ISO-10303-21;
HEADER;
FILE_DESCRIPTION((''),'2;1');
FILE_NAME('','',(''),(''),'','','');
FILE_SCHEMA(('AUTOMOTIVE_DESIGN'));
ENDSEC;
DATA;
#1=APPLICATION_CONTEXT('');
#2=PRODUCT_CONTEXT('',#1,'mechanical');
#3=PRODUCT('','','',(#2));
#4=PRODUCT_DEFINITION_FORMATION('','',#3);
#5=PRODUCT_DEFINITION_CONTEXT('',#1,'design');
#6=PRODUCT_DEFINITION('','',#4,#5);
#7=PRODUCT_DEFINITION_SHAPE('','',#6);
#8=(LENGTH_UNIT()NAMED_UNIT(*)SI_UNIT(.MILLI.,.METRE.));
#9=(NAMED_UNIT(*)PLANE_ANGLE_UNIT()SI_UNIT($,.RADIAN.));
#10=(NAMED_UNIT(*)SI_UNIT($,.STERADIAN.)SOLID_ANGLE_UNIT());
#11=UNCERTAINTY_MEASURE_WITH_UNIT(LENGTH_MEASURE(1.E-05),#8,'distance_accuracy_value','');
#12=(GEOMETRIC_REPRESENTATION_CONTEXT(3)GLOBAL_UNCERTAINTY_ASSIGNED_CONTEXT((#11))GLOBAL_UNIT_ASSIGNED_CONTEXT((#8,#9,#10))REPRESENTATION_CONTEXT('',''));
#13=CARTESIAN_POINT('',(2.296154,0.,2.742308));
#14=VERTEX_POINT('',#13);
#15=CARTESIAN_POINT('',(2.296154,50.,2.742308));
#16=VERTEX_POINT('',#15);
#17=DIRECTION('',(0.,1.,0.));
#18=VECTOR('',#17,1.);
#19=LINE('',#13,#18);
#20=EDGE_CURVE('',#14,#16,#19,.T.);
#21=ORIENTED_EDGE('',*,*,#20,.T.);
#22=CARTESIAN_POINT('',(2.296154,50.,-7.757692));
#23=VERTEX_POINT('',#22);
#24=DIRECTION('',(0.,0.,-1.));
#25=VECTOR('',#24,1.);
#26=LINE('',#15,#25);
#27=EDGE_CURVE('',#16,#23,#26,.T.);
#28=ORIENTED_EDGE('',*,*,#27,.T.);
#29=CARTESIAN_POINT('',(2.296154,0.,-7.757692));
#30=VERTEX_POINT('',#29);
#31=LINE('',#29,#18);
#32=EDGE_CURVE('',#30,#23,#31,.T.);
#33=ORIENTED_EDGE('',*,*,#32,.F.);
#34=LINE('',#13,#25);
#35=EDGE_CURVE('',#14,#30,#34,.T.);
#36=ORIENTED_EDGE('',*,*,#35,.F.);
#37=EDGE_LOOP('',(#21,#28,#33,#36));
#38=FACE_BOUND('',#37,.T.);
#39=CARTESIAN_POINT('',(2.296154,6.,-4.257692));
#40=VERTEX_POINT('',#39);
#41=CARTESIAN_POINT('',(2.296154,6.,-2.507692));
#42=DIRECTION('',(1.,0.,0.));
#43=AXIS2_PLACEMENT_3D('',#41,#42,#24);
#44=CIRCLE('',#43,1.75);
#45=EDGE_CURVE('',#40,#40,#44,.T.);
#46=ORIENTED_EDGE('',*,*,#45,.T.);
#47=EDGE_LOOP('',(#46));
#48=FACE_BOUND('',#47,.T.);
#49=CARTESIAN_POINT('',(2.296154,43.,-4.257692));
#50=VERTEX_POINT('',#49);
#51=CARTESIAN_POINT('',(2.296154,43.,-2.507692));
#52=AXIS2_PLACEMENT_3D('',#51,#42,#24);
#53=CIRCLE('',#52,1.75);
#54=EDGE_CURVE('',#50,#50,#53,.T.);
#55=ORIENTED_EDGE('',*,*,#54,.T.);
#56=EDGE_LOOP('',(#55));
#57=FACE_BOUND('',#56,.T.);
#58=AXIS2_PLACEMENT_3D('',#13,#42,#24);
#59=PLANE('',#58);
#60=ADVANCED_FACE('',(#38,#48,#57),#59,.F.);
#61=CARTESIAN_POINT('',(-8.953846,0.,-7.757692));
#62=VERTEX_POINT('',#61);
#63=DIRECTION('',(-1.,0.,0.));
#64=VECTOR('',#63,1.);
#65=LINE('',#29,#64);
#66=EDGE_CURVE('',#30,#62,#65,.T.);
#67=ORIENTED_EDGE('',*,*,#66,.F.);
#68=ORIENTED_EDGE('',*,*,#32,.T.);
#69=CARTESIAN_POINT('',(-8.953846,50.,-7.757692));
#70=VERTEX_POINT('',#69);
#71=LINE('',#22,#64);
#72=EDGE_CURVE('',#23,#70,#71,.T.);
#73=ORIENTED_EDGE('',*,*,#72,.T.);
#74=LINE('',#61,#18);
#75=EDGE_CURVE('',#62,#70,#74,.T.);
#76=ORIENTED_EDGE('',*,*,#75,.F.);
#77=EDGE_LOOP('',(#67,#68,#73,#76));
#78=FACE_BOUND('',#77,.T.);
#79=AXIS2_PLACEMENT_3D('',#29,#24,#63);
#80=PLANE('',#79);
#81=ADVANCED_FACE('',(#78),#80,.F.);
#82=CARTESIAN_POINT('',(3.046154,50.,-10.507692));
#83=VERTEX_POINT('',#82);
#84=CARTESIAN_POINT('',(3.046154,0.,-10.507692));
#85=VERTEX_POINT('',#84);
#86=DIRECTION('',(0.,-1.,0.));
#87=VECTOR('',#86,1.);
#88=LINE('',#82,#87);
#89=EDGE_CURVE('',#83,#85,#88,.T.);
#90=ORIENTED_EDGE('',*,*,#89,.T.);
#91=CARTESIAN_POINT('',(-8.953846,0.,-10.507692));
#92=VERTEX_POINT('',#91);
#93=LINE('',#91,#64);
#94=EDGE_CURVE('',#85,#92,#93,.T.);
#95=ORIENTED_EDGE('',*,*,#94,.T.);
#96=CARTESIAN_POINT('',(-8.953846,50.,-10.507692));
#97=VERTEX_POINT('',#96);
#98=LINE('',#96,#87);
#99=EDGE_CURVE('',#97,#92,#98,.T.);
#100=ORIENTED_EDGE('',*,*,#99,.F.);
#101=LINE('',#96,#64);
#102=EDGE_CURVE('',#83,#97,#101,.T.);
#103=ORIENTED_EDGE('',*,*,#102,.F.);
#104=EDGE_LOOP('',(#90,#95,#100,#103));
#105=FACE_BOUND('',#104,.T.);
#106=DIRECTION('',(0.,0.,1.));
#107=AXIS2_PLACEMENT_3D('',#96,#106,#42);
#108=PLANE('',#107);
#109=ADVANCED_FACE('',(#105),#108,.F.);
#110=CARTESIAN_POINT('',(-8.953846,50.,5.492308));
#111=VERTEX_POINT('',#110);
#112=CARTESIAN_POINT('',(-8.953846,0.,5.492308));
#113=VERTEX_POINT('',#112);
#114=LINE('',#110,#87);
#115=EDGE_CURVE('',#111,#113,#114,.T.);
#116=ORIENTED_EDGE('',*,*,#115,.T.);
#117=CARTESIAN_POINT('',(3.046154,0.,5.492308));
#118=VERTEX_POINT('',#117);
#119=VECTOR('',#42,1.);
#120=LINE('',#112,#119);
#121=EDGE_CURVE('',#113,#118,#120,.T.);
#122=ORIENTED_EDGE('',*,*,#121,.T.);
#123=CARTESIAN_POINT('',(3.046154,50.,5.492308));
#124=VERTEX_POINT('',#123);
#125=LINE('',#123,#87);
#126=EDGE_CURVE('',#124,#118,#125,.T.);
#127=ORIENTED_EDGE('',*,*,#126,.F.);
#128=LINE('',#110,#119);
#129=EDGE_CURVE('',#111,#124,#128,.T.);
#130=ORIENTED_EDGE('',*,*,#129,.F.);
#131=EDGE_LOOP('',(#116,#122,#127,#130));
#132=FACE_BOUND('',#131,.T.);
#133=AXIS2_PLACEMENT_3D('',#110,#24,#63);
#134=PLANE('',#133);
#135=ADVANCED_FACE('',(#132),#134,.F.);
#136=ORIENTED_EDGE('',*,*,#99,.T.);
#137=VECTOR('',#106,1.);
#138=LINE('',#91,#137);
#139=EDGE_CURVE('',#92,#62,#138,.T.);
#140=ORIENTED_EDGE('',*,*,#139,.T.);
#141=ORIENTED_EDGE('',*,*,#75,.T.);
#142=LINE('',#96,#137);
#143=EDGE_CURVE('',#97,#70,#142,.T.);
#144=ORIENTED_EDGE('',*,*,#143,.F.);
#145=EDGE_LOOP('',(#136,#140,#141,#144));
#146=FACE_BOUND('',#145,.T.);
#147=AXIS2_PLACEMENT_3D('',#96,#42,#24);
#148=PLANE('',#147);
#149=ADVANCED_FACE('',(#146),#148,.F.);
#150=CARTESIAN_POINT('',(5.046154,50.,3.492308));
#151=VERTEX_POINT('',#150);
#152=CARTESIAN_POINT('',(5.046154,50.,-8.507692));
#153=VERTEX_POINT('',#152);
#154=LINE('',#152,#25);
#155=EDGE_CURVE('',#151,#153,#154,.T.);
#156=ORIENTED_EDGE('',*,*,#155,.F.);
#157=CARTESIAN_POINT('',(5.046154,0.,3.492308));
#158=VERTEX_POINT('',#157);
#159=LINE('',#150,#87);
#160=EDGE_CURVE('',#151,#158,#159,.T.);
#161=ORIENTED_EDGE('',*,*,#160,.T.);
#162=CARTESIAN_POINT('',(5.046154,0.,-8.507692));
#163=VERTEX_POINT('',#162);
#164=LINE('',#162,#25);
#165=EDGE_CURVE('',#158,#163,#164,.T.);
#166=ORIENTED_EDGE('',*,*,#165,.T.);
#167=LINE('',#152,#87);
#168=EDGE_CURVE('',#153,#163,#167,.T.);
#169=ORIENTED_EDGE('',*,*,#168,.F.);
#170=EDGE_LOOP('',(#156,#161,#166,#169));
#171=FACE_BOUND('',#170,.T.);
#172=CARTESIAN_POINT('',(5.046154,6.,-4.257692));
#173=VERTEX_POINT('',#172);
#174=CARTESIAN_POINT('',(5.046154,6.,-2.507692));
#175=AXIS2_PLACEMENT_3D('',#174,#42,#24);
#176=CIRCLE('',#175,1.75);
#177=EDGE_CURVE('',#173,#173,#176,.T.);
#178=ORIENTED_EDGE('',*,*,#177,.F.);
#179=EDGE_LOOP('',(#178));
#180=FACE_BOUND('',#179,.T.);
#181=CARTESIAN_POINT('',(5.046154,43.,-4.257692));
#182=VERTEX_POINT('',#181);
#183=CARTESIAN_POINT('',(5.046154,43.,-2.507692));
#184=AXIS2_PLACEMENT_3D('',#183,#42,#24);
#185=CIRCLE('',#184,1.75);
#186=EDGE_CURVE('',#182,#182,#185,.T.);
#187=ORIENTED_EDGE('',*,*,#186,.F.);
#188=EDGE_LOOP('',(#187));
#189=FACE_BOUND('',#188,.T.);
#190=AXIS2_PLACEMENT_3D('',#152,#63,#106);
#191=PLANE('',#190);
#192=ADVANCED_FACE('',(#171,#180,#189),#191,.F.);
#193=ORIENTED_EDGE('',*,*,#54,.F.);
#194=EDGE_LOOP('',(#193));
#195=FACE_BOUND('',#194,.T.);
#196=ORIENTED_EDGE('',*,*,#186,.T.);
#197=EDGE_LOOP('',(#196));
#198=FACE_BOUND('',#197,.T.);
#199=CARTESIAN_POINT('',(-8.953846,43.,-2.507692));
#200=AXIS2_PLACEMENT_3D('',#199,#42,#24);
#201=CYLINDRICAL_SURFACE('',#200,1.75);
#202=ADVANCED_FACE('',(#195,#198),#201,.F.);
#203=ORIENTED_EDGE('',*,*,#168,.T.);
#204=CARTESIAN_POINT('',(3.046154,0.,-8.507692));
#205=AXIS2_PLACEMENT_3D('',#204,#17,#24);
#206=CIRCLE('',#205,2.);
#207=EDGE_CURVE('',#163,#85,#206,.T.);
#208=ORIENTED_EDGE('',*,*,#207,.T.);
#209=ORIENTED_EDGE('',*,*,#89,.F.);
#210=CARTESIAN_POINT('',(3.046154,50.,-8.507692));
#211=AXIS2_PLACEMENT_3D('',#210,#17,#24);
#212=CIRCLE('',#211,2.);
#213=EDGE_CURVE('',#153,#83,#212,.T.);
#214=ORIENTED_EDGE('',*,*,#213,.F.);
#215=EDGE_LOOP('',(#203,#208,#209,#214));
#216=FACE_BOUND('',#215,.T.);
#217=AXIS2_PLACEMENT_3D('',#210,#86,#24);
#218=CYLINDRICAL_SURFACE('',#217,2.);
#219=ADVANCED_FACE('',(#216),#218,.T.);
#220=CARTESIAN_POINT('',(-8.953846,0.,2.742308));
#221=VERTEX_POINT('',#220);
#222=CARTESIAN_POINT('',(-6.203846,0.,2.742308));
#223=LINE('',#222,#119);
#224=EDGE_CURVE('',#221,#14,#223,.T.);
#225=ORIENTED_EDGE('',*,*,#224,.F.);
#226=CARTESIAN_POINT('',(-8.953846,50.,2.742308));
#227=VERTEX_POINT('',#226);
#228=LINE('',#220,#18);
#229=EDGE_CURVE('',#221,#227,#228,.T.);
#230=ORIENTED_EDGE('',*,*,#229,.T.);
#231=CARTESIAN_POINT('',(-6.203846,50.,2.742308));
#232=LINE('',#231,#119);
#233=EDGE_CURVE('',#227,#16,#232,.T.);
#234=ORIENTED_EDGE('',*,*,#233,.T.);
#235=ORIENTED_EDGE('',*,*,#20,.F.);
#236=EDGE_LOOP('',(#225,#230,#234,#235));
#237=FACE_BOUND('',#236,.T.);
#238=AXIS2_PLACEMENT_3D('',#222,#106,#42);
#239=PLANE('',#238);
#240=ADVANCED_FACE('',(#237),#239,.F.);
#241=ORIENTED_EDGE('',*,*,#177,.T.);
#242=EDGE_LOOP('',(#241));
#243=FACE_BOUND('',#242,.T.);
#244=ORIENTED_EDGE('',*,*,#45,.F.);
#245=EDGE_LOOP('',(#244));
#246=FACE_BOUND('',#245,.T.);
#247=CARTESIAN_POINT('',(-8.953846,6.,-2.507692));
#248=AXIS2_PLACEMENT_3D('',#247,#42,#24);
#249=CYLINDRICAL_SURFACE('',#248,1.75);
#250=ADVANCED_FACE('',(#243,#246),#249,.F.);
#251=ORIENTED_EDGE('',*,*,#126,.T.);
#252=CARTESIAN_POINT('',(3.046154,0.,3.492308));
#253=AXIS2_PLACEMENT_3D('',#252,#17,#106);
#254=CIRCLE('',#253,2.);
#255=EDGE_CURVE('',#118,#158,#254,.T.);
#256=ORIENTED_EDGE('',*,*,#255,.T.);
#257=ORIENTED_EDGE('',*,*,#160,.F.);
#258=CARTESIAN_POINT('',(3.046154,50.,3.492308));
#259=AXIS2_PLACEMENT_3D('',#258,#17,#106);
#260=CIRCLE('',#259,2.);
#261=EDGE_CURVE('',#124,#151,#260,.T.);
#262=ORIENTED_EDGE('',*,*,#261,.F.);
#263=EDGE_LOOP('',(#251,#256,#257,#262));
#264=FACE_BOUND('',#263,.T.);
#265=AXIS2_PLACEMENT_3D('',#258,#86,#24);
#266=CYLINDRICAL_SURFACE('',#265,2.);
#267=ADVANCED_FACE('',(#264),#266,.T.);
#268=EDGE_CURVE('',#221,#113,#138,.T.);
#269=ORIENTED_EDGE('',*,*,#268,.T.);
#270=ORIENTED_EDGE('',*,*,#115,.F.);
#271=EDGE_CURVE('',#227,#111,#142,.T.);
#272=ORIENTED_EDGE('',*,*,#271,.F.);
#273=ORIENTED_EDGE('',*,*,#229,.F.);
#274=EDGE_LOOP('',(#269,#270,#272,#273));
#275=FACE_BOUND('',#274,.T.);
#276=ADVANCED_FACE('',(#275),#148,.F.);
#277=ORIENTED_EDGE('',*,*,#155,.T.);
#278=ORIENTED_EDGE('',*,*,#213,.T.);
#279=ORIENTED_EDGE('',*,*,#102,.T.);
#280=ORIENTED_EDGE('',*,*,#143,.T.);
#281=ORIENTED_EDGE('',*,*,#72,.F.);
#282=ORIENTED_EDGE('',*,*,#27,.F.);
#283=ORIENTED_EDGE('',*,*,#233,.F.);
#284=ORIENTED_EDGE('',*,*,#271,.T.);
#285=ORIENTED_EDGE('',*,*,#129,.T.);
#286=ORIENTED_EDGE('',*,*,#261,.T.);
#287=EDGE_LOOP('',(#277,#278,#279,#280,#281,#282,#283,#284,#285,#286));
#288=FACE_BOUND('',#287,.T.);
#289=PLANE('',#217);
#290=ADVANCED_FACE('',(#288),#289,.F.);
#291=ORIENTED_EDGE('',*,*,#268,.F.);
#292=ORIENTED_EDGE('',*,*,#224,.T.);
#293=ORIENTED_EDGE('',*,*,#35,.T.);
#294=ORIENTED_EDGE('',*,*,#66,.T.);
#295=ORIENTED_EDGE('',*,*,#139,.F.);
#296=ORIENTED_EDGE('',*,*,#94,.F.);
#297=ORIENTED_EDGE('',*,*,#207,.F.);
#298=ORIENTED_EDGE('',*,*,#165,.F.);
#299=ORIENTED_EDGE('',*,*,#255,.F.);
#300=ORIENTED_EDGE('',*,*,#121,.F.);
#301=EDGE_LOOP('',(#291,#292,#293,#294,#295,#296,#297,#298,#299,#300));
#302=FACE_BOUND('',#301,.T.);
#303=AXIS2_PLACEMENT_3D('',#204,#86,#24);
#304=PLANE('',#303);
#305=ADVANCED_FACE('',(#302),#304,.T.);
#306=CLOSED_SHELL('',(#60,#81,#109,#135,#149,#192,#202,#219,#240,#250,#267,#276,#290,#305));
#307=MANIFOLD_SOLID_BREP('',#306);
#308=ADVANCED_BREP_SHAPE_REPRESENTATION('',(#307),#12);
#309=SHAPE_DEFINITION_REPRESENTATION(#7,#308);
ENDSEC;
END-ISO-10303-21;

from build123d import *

# Parameters (mm, degrees)
EXTRUDE_1_DEPTH     = 50
SKETCH_2_W          = 8.5
SKETCH_2_H          = 10.5
CUT_EXTRUDE_1_DEPTH = 52.870829554
SKETCH_3_W          = 2.75
SKETCH_3_H          = 10.5
CUT_EXTRUDE_2_DEPTH = 52.870829554
SKETCH_4_R          = 1.75
CUT_EXTRUDE_3_DEPTH = 53.975575482


with BuildPart() as part:
    # 草图1 → 凸台-拉伸1 (new body)
    with BuildSketch(Plane(origin=(0, 0, 0), x_dir=(1, 0, 0), z_dir=(0, 1, 0))):
        with BuildLine():
            Line((-8.953846154, 10.507692308), (-8.953846154, -5.492307692))
            Line((-8.953846154, -5.492307692), (3.046153846, -5.492307692))
            ThreePointArc((3.046153846, -5.492307692), (4.460367409, -4.906521255), (5.046153846, -3.492307692))
            Line((5.046153846, -3.492307692), (5.046153846, 8.507692308))
            ThreePointArc((5.046153846, 8.507692308), (4.460367409, 9.92190587), (3.046153846, 10.507692308))
            Line((3.046153846, 10.507692308), (-8.953846154, 10.507692308))
        make_face()
    extrude(amount=EXTRUDE_1_DEPTH)

    # 草图2 → 切除-拉伸1 (cut, through all)
    with BuildSketch(Plane(origin=(0, 50, 0), x_dir=(1, 0, 0), z_dir=(0, 1, 0))):
        with Locations((-1.953846154, 2.507692308)):
            Rectangle(SKETCH_2_W, SKETCH_2_H)
    extrude(amount=-CUT_EXTRUDE_1_DEPTH, mode=Mode.SUBTRACT)

    # 草图3 → 切除-拉伸2 (cut, through all)
    with BuildSketch(Plane(origin=(0, 50, 0), x_dir=(1, 0, 0), z_dir=(0, 1, 0))):
        with Locations((-7.578846154, 2.507692308)):
            Rectangle(SKETCH_3_W, SKETCH_3_H)
    extrude(amount=-CUT_EXTRUDE_2_DEPTH, mode=Mode.SUBTRACT)

    # 草图4 → 切除-拉伸3 (cut, through all)
    with BuildSketch(Plane(origin=(5.046153846, 0, 0), x_dir=(0, 0, -1), z_dir=(1, 0, 0))):
        with Locations((2.507692308, 43)):
            Circle(SKETCH_4_R)
        with Locations((2.507692308, 6)):
            Circle(SKETCH_4_R)
    extrude(amount=-CUT_EXTRUDE_3_DEPTH, mode=Mode.SUBTRACT)


solid = part.part
